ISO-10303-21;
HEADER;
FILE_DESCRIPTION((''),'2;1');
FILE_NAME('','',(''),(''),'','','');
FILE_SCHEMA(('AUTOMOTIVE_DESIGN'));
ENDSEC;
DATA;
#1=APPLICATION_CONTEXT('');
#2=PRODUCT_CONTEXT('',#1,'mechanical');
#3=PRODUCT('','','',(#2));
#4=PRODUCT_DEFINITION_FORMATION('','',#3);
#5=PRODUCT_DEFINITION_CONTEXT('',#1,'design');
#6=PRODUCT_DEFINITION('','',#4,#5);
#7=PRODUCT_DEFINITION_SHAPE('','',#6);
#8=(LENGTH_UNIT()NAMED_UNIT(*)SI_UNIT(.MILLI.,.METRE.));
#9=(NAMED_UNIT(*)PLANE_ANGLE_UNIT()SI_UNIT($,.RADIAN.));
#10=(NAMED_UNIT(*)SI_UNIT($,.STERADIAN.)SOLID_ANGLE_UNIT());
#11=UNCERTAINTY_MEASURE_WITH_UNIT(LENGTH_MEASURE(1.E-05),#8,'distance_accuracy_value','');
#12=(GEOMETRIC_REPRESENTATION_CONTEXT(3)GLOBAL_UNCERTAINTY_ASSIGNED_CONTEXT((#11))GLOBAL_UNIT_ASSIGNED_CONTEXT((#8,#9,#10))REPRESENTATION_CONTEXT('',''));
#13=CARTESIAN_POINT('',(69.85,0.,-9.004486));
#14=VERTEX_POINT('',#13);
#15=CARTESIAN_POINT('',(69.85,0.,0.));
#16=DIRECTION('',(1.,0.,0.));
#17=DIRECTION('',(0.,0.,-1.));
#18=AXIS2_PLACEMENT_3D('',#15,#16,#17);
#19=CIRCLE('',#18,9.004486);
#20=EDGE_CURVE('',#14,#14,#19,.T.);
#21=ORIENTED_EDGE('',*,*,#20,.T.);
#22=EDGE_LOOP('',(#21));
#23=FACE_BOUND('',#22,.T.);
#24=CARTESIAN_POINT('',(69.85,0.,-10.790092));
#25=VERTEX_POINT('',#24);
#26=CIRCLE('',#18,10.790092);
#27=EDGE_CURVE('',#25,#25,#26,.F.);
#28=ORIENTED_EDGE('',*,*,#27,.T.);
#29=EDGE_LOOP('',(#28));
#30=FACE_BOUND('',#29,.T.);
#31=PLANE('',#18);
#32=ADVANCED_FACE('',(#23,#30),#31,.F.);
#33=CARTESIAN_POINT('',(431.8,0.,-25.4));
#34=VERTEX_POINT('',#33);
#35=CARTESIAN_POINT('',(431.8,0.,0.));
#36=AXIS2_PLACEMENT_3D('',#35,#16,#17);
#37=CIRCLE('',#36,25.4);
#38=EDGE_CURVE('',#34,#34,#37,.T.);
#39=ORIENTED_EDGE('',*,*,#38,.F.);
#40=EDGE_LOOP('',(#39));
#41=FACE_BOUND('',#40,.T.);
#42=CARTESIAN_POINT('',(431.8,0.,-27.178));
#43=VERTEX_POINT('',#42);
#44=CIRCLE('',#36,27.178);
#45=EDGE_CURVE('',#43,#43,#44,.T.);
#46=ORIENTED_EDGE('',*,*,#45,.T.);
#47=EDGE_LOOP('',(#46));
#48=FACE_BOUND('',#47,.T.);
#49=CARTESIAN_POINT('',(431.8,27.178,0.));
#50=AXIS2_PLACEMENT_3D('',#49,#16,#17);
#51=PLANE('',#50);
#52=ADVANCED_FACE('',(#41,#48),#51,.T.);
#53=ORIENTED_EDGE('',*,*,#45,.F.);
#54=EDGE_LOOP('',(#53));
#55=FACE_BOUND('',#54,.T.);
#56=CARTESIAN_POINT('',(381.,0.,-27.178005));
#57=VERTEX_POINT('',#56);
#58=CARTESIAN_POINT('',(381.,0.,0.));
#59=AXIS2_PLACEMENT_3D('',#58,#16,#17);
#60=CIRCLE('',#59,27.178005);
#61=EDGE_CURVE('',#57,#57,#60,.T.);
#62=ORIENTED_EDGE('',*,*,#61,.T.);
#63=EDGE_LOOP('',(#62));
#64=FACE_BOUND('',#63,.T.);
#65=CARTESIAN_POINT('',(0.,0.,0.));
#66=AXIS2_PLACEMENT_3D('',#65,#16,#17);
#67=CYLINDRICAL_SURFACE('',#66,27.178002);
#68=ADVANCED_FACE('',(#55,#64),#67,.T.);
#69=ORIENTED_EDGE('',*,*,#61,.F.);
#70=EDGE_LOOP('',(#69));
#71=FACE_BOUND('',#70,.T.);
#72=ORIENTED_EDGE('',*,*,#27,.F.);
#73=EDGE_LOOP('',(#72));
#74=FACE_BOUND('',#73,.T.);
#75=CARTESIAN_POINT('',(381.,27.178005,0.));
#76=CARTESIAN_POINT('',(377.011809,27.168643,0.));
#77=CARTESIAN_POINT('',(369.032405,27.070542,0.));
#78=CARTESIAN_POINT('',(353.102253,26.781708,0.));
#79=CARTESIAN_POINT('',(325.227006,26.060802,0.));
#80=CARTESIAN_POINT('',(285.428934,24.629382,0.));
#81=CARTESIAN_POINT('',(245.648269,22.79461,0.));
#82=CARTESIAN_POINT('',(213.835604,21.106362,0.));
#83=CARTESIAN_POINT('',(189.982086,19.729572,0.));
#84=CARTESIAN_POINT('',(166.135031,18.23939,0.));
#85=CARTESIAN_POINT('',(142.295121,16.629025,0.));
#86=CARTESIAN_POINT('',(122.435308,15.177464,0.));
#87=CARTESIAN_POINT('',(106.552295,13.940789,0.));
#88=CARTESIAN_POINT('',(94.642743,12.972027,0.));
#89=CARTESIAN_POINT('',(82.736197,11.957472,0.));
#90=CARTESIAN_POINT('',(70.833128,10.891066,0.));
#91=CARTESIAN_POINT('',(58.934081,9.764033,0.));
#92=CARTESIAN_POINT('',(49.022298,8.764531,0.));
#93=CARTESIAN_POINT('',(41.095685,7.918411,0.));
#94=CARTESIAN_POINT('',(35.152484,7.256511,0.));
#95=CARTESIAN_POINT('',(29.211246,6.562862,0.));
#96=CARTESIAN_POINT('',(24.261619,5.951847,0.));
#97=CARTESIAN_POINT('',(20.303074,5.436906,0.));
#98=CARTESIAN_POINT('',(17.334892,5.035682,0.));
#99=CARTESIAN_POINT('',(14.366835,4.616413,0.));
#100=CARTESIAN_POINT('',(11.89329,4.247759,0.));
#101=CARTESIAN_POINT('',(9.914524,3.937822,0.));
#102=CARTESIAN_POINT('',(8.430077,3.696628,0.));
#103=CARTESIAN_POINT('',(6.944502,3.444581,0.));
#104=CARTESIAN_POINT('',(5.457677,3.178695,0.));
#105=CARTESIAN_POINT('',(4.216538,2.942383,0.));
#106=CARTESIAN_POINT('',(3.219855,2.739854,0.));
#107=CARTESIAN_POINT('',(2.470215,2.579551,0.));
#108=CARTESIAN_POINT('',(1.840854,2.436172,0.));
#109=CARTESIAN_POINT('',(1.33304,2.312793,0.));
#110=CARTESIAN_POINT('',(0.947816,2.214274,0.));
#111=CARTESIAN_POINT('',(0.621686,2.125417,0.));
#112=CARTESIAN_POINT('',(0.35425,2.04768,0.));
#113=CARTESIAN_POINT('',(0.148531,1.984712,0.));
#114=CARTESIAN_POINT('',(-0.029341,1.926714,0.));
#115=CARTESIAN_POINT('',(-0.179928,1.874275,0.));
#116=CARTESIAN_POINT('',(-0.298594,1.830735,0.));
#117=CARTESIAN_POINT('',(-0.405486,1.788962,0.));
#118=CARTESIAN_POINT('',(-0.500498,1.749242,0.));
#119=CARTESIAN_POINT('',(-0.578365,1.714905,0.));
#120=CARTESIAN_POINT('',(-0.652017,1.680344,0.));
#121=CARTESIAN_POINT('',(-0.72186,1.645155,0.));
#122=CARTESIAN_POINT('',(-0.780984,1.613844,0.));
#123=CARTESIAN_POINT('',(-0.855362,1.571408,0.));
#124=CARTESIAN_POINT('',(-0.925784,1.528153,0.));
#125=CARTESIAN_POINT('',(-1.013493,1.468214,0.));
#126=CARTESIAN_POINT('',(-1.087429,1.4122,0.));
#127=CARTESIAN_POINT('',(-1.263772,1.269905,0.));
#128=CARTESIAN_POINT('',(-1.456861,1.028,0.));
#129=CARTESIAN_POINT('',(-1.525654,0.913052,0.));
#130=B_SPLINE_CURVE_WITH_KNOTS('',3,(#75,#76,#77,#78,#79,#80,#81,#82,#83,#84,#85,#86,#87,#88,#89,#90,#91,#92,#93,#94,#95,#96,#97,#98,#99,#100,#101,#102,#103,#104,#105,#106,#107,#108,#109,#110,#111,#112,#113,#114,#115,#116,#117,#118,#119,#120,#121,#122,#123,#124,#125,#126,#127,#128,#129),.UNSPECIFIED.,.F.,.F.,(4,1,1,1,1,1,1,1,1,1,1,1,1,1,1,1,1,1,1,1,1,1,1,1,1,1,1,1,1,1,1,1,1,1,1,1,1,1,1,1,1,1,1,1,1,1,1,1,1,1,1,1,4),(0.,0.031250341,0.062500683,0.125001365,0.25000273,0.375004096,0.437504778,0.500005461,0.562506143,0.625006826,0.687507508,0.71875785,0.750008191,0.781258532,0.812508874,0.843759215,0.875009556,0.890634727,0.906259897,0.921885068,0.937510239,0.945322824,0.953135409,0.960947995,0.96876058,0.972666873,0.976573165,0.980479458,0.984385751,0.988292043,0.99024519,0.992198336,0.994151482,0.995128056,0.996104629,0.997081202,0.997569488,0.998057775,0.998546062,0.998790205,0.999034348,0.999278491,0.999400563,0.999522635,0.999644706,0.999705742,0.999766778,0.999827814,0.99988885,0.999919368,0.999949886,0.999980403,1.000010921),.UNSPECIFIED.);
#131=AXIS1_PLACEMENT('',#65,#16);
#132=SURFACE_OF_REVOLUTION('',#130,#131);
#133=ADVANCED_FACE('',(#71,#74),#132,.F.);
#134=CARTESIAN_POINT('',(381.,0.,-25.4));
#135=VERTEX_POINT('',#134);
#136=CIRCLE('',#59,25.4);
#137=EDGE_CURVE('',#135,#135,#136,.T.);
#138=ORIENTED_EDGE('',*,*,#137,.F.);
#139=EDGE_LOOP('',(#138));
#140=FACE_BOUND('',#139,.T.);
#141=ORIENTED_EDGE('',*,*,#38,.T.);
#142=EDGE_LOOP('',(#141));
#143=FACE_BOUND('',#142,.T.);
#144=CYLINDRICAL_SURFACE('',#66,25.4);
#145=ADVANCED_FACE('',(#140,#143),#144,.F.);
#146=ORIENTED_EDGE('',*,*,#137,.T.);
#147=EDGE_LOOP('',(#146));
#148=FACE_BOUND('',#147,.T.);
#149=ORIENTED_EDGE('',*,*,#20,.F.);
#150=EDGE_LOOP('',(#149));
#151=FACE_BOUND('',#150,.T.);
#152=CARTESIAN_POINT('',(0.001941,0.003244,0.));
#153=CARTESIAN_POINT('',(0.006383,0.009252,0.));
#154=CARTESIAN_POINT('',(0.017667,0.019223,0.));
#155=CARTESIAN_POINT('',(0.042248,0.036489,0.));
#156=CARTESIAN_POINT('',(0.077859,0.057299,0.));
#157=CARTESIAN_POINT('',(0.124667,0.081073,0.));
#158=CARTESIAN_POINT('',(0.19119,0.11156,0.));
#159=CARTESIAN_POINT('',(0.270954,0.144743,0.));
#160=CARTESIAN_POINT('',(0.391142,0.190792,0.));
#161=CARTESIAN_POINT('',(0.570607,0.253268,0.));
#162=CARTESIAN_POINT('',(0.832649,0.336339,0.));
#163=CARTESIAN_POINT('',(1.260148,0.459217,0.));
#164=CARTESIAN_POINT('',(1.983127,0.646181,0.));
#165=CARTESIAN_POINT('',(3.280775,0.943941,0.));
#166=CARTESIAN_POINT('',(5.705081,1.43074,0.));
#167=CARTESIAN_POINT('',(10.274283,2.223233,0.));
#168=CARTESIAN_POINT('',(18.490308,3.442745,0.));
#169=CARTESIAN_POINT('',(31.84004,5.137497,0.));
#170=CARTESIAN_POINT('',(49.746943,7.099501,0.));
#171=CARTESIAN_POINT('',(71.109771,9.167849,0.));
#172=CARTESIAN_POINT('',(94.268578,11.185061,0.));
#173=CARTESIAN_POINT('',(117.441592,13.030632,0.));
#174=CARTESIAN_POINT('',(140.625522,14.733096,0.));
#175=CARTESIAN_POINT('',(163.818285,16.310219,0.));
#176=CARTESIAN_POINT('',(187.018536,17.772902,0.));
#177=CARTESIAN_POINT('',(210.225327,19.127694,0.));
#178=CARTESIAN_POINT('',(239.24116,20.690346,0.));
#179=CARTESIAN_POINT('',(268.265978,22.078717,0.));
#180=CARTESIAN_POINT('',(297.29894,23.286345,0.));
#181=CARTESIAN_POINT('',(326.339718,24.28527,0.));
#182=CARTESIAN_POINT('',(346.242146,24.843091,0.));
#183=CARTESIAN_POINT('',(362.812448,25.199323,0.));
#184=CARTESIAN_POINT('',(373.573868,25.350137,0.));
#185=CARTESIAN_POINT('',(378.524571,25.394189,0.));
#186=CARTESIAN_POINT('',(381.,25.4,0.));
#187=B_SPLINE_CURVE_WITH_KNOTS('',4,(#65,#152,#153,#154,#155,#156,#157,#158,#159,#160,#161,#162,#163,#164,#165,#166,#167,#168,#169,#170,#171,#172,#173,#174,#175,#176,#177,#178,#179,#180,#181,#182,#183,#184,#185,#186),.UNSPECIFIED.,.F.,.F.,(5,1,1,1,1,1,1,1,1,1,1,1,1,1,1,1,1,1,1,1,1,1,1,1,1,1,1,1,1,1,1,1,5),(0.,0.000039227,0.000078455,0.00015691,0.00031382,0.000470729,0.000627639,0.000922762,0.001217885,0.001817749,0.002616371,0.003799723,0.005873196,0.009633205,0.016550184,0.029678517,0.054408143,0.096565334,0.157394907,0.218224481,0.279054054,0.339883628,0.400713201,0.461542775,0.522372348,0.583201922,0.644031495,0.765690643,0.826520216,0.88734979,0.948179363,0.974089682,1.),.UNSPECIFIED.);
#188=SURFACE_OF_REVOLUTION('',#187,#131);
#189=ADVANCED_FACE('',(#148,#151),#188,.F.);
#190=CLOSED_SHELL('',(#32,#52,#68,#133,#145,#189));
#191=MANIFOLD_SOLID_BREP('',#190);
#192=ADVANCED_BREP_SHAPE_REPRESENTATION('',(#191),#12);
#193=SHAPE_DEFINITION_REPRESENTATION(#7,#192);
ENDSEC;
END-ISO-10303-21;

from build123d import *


with BuildPart() as part:
    # Sketch1 → Revolve1 (revolve)
    with BuildSketch(Plane.XY):
        with BuildLine():
            Line((380.999999989, 27.178004899), (431.8, 27.178))
            Line((431.8, 27.178), (431.8, 25.4))
            Line((431.8, 25.4), (381, 25.4))
            add(Edge.make_bspline(
                [(0, 0), (0.001941319, 0.003243823), (0.006382818, 0.00925202), (0.017667275, 0.019223361), (0.042247832, 0.036488891), (0.077859057, 0.057299108), (0.124666911, 0.081073388), (0.191190015, 0.111560456), (0.270954306, 0.144743138), (0.391141946, 0.190791694), (0.570606759, 0.253268093), (0.832648693, 0.336339412), (1.260148466, 0.459216902), (1.983126731, 0.646181326), (3.280775169, 0.943940876), (5.705080865, 1.430739778), (10.274282574, 2.223232896), (18.490307704, 3.442744834), (31.840039926, 5.137496754), (49.746942778, 7.09950102), (71.109771125, 9.167849109), (94.268578347, 11.185061055), (117.441592145, 13.030632407), (140.625521947, 14.733095675), (163.818284683, 16.310219347), (187.018536452, 17.77290183), (210.225327068, 19.127694121), (239.241159915, 20.690345726), (268.265978315, 22.078716552), (297.298940404, 23.286345214), (326.339718466, 24.285270316), (346.242146301, 24.843090738), (362.812447934, 25.19932343), (373.573868339, 25.350137429), (378.524571355, 25.394189211), (381, 25.4)],
                knots=[0, 0, 0, 0, 0, 3.9227e-05, 7.8455e-05, 0.00015691, 0.00031382, 0.000470729, 0.000627639, 0.000922762, 0.001217885, 0.001817749, 0.002616371, 0.003799723, 0.005873196, 0.009633205, 0.016550184, 0.029678517, 0.054408143, 0.096565334, 0.157394907, 0.218224481, 0.279054054, 0.339883628, 0.400713201, 0.461542775, 0.522372348, 0.583201922, 0.644031495, 0.765690643, 0.826520216, 0.88734979, 0.948179363, 0.974089682, 1, 1, 1, 1, 1], degree=4))
            Line((0, 0), (-1.525653687, 0))
            Line((-1.525653687, 0), (-1.525653687, 0.913052478))
            add(Edge.make_bspline(
                [(-1.525653687, 0.913052478), (-1.456861453, 1.028000006), (-1.26377196, 1.269904804), (-1.087429398, 1.412199762), (-1.013493249, 1.468214345), (-0.925784029, 1.528153174), (-0.855362465, 1.571407863), (-0.780983826, 1.613843829), (-0.72185978, 1.645154953), (-0.652016517, 1.68034405), (-0.578364938, 1.714904739), (-0.500498327, 1.749241532), (-0.40548642, 1.788962033), (-0.298594067, 1.830734515), (-0.179928297, 1.874274847), (-0.029341069, 1.926713817), (0.148530937, 1.984711708), (0.354249917, 2.047680173), (0.621686037, 2.125417369), (0.947815907, 2.214274016), (1.333040149, 2.312793076), (1.840853567, 2.436171773), (2.470214794, 2.579550949), (3.219855062, 2.739853891), (4.216537606, 2.942383064), (5.457677135, 3.178695266), (6.944501966, 3.444580978), (8.430077431, 3.696628333), (9.914523848, 3.937821961), (11.893289979, 4.247759303), (14.366835024, 4.616412883), (17.334891602, 5.035682182), (20.303074171, 5.436906223), (24.261618928, 5.951846532), (29.211245986, 6.562862372), (35.152484358, 7.256510838), (41.095684883, 7.918411303), (49.0222976, 8.764531441), (58.934081126, 9.764032687), (70.833127664, 10.891065768), (82.73619668, 11.957471963), (94.642742858, 12.972026646), (106.552294621, 13.940788983), (122.435308371, 15.177464154), (142.295120907, 16.629024918), (166.135030996, 18.239390464), (189.982086047, 19.729572133), (213.835604446, 21.106362176), (245.648268631, 22.794610058), (285.428933891, 24.629382357), (325.227005898, 26.060802219), (353.102253463, 26.781708154), (369.032405494, 27.070541833), (377.011809396, 27.168643072), (380.999999989, 27.178004899)],
                knots=[0, 0, 0, 0, 3.0518e-05, 6.1036e-05, 9.1554e-05, 0.000122072, 0.000183107, 0.000244143, 0.000305179, 0.000366215, 0.000488287, 0.000610358, 0.00073243, 0.000976573, 0.001220716, 0.00146486, 0.001953146, 0.002441433, 0.002929719, 0.003906293, 0.004882866, 0.005859439, 0.007812585, 0.009765732, 0.011718878, 0.015625171, 0.019531463, 0.023437756, 0.027344049, 0.031250341, 0.039062927, 0.046875512, 0.054688097, 0.062500683, 0.078125853, 0.093751024, 0.109376195, 0.125001365, 0.156251706, 0.187502048, 0.218752389, 0.25000273, 0.281253072, 0.312503413, 0.375004096, 0.437504778, 0.500005461, 0.562506143, 0.625006826, 0.750008191, 0.875009556, 0.937510239, 0.96876058, 1.000010921, 1.000010921, 1.000010921, 1.000010921], degree=3))
        make_face()
    revolve(axis=Axis((0, 0, 0), (-1, 0, 0)))

    # Split1
    split(bisect_by=Plane(origin=(69.85, 0, 0), x_dir=(0, 0, 1), z_dir=(1, 0, 0)), keep=Keep.TOP)


solid = part.part
